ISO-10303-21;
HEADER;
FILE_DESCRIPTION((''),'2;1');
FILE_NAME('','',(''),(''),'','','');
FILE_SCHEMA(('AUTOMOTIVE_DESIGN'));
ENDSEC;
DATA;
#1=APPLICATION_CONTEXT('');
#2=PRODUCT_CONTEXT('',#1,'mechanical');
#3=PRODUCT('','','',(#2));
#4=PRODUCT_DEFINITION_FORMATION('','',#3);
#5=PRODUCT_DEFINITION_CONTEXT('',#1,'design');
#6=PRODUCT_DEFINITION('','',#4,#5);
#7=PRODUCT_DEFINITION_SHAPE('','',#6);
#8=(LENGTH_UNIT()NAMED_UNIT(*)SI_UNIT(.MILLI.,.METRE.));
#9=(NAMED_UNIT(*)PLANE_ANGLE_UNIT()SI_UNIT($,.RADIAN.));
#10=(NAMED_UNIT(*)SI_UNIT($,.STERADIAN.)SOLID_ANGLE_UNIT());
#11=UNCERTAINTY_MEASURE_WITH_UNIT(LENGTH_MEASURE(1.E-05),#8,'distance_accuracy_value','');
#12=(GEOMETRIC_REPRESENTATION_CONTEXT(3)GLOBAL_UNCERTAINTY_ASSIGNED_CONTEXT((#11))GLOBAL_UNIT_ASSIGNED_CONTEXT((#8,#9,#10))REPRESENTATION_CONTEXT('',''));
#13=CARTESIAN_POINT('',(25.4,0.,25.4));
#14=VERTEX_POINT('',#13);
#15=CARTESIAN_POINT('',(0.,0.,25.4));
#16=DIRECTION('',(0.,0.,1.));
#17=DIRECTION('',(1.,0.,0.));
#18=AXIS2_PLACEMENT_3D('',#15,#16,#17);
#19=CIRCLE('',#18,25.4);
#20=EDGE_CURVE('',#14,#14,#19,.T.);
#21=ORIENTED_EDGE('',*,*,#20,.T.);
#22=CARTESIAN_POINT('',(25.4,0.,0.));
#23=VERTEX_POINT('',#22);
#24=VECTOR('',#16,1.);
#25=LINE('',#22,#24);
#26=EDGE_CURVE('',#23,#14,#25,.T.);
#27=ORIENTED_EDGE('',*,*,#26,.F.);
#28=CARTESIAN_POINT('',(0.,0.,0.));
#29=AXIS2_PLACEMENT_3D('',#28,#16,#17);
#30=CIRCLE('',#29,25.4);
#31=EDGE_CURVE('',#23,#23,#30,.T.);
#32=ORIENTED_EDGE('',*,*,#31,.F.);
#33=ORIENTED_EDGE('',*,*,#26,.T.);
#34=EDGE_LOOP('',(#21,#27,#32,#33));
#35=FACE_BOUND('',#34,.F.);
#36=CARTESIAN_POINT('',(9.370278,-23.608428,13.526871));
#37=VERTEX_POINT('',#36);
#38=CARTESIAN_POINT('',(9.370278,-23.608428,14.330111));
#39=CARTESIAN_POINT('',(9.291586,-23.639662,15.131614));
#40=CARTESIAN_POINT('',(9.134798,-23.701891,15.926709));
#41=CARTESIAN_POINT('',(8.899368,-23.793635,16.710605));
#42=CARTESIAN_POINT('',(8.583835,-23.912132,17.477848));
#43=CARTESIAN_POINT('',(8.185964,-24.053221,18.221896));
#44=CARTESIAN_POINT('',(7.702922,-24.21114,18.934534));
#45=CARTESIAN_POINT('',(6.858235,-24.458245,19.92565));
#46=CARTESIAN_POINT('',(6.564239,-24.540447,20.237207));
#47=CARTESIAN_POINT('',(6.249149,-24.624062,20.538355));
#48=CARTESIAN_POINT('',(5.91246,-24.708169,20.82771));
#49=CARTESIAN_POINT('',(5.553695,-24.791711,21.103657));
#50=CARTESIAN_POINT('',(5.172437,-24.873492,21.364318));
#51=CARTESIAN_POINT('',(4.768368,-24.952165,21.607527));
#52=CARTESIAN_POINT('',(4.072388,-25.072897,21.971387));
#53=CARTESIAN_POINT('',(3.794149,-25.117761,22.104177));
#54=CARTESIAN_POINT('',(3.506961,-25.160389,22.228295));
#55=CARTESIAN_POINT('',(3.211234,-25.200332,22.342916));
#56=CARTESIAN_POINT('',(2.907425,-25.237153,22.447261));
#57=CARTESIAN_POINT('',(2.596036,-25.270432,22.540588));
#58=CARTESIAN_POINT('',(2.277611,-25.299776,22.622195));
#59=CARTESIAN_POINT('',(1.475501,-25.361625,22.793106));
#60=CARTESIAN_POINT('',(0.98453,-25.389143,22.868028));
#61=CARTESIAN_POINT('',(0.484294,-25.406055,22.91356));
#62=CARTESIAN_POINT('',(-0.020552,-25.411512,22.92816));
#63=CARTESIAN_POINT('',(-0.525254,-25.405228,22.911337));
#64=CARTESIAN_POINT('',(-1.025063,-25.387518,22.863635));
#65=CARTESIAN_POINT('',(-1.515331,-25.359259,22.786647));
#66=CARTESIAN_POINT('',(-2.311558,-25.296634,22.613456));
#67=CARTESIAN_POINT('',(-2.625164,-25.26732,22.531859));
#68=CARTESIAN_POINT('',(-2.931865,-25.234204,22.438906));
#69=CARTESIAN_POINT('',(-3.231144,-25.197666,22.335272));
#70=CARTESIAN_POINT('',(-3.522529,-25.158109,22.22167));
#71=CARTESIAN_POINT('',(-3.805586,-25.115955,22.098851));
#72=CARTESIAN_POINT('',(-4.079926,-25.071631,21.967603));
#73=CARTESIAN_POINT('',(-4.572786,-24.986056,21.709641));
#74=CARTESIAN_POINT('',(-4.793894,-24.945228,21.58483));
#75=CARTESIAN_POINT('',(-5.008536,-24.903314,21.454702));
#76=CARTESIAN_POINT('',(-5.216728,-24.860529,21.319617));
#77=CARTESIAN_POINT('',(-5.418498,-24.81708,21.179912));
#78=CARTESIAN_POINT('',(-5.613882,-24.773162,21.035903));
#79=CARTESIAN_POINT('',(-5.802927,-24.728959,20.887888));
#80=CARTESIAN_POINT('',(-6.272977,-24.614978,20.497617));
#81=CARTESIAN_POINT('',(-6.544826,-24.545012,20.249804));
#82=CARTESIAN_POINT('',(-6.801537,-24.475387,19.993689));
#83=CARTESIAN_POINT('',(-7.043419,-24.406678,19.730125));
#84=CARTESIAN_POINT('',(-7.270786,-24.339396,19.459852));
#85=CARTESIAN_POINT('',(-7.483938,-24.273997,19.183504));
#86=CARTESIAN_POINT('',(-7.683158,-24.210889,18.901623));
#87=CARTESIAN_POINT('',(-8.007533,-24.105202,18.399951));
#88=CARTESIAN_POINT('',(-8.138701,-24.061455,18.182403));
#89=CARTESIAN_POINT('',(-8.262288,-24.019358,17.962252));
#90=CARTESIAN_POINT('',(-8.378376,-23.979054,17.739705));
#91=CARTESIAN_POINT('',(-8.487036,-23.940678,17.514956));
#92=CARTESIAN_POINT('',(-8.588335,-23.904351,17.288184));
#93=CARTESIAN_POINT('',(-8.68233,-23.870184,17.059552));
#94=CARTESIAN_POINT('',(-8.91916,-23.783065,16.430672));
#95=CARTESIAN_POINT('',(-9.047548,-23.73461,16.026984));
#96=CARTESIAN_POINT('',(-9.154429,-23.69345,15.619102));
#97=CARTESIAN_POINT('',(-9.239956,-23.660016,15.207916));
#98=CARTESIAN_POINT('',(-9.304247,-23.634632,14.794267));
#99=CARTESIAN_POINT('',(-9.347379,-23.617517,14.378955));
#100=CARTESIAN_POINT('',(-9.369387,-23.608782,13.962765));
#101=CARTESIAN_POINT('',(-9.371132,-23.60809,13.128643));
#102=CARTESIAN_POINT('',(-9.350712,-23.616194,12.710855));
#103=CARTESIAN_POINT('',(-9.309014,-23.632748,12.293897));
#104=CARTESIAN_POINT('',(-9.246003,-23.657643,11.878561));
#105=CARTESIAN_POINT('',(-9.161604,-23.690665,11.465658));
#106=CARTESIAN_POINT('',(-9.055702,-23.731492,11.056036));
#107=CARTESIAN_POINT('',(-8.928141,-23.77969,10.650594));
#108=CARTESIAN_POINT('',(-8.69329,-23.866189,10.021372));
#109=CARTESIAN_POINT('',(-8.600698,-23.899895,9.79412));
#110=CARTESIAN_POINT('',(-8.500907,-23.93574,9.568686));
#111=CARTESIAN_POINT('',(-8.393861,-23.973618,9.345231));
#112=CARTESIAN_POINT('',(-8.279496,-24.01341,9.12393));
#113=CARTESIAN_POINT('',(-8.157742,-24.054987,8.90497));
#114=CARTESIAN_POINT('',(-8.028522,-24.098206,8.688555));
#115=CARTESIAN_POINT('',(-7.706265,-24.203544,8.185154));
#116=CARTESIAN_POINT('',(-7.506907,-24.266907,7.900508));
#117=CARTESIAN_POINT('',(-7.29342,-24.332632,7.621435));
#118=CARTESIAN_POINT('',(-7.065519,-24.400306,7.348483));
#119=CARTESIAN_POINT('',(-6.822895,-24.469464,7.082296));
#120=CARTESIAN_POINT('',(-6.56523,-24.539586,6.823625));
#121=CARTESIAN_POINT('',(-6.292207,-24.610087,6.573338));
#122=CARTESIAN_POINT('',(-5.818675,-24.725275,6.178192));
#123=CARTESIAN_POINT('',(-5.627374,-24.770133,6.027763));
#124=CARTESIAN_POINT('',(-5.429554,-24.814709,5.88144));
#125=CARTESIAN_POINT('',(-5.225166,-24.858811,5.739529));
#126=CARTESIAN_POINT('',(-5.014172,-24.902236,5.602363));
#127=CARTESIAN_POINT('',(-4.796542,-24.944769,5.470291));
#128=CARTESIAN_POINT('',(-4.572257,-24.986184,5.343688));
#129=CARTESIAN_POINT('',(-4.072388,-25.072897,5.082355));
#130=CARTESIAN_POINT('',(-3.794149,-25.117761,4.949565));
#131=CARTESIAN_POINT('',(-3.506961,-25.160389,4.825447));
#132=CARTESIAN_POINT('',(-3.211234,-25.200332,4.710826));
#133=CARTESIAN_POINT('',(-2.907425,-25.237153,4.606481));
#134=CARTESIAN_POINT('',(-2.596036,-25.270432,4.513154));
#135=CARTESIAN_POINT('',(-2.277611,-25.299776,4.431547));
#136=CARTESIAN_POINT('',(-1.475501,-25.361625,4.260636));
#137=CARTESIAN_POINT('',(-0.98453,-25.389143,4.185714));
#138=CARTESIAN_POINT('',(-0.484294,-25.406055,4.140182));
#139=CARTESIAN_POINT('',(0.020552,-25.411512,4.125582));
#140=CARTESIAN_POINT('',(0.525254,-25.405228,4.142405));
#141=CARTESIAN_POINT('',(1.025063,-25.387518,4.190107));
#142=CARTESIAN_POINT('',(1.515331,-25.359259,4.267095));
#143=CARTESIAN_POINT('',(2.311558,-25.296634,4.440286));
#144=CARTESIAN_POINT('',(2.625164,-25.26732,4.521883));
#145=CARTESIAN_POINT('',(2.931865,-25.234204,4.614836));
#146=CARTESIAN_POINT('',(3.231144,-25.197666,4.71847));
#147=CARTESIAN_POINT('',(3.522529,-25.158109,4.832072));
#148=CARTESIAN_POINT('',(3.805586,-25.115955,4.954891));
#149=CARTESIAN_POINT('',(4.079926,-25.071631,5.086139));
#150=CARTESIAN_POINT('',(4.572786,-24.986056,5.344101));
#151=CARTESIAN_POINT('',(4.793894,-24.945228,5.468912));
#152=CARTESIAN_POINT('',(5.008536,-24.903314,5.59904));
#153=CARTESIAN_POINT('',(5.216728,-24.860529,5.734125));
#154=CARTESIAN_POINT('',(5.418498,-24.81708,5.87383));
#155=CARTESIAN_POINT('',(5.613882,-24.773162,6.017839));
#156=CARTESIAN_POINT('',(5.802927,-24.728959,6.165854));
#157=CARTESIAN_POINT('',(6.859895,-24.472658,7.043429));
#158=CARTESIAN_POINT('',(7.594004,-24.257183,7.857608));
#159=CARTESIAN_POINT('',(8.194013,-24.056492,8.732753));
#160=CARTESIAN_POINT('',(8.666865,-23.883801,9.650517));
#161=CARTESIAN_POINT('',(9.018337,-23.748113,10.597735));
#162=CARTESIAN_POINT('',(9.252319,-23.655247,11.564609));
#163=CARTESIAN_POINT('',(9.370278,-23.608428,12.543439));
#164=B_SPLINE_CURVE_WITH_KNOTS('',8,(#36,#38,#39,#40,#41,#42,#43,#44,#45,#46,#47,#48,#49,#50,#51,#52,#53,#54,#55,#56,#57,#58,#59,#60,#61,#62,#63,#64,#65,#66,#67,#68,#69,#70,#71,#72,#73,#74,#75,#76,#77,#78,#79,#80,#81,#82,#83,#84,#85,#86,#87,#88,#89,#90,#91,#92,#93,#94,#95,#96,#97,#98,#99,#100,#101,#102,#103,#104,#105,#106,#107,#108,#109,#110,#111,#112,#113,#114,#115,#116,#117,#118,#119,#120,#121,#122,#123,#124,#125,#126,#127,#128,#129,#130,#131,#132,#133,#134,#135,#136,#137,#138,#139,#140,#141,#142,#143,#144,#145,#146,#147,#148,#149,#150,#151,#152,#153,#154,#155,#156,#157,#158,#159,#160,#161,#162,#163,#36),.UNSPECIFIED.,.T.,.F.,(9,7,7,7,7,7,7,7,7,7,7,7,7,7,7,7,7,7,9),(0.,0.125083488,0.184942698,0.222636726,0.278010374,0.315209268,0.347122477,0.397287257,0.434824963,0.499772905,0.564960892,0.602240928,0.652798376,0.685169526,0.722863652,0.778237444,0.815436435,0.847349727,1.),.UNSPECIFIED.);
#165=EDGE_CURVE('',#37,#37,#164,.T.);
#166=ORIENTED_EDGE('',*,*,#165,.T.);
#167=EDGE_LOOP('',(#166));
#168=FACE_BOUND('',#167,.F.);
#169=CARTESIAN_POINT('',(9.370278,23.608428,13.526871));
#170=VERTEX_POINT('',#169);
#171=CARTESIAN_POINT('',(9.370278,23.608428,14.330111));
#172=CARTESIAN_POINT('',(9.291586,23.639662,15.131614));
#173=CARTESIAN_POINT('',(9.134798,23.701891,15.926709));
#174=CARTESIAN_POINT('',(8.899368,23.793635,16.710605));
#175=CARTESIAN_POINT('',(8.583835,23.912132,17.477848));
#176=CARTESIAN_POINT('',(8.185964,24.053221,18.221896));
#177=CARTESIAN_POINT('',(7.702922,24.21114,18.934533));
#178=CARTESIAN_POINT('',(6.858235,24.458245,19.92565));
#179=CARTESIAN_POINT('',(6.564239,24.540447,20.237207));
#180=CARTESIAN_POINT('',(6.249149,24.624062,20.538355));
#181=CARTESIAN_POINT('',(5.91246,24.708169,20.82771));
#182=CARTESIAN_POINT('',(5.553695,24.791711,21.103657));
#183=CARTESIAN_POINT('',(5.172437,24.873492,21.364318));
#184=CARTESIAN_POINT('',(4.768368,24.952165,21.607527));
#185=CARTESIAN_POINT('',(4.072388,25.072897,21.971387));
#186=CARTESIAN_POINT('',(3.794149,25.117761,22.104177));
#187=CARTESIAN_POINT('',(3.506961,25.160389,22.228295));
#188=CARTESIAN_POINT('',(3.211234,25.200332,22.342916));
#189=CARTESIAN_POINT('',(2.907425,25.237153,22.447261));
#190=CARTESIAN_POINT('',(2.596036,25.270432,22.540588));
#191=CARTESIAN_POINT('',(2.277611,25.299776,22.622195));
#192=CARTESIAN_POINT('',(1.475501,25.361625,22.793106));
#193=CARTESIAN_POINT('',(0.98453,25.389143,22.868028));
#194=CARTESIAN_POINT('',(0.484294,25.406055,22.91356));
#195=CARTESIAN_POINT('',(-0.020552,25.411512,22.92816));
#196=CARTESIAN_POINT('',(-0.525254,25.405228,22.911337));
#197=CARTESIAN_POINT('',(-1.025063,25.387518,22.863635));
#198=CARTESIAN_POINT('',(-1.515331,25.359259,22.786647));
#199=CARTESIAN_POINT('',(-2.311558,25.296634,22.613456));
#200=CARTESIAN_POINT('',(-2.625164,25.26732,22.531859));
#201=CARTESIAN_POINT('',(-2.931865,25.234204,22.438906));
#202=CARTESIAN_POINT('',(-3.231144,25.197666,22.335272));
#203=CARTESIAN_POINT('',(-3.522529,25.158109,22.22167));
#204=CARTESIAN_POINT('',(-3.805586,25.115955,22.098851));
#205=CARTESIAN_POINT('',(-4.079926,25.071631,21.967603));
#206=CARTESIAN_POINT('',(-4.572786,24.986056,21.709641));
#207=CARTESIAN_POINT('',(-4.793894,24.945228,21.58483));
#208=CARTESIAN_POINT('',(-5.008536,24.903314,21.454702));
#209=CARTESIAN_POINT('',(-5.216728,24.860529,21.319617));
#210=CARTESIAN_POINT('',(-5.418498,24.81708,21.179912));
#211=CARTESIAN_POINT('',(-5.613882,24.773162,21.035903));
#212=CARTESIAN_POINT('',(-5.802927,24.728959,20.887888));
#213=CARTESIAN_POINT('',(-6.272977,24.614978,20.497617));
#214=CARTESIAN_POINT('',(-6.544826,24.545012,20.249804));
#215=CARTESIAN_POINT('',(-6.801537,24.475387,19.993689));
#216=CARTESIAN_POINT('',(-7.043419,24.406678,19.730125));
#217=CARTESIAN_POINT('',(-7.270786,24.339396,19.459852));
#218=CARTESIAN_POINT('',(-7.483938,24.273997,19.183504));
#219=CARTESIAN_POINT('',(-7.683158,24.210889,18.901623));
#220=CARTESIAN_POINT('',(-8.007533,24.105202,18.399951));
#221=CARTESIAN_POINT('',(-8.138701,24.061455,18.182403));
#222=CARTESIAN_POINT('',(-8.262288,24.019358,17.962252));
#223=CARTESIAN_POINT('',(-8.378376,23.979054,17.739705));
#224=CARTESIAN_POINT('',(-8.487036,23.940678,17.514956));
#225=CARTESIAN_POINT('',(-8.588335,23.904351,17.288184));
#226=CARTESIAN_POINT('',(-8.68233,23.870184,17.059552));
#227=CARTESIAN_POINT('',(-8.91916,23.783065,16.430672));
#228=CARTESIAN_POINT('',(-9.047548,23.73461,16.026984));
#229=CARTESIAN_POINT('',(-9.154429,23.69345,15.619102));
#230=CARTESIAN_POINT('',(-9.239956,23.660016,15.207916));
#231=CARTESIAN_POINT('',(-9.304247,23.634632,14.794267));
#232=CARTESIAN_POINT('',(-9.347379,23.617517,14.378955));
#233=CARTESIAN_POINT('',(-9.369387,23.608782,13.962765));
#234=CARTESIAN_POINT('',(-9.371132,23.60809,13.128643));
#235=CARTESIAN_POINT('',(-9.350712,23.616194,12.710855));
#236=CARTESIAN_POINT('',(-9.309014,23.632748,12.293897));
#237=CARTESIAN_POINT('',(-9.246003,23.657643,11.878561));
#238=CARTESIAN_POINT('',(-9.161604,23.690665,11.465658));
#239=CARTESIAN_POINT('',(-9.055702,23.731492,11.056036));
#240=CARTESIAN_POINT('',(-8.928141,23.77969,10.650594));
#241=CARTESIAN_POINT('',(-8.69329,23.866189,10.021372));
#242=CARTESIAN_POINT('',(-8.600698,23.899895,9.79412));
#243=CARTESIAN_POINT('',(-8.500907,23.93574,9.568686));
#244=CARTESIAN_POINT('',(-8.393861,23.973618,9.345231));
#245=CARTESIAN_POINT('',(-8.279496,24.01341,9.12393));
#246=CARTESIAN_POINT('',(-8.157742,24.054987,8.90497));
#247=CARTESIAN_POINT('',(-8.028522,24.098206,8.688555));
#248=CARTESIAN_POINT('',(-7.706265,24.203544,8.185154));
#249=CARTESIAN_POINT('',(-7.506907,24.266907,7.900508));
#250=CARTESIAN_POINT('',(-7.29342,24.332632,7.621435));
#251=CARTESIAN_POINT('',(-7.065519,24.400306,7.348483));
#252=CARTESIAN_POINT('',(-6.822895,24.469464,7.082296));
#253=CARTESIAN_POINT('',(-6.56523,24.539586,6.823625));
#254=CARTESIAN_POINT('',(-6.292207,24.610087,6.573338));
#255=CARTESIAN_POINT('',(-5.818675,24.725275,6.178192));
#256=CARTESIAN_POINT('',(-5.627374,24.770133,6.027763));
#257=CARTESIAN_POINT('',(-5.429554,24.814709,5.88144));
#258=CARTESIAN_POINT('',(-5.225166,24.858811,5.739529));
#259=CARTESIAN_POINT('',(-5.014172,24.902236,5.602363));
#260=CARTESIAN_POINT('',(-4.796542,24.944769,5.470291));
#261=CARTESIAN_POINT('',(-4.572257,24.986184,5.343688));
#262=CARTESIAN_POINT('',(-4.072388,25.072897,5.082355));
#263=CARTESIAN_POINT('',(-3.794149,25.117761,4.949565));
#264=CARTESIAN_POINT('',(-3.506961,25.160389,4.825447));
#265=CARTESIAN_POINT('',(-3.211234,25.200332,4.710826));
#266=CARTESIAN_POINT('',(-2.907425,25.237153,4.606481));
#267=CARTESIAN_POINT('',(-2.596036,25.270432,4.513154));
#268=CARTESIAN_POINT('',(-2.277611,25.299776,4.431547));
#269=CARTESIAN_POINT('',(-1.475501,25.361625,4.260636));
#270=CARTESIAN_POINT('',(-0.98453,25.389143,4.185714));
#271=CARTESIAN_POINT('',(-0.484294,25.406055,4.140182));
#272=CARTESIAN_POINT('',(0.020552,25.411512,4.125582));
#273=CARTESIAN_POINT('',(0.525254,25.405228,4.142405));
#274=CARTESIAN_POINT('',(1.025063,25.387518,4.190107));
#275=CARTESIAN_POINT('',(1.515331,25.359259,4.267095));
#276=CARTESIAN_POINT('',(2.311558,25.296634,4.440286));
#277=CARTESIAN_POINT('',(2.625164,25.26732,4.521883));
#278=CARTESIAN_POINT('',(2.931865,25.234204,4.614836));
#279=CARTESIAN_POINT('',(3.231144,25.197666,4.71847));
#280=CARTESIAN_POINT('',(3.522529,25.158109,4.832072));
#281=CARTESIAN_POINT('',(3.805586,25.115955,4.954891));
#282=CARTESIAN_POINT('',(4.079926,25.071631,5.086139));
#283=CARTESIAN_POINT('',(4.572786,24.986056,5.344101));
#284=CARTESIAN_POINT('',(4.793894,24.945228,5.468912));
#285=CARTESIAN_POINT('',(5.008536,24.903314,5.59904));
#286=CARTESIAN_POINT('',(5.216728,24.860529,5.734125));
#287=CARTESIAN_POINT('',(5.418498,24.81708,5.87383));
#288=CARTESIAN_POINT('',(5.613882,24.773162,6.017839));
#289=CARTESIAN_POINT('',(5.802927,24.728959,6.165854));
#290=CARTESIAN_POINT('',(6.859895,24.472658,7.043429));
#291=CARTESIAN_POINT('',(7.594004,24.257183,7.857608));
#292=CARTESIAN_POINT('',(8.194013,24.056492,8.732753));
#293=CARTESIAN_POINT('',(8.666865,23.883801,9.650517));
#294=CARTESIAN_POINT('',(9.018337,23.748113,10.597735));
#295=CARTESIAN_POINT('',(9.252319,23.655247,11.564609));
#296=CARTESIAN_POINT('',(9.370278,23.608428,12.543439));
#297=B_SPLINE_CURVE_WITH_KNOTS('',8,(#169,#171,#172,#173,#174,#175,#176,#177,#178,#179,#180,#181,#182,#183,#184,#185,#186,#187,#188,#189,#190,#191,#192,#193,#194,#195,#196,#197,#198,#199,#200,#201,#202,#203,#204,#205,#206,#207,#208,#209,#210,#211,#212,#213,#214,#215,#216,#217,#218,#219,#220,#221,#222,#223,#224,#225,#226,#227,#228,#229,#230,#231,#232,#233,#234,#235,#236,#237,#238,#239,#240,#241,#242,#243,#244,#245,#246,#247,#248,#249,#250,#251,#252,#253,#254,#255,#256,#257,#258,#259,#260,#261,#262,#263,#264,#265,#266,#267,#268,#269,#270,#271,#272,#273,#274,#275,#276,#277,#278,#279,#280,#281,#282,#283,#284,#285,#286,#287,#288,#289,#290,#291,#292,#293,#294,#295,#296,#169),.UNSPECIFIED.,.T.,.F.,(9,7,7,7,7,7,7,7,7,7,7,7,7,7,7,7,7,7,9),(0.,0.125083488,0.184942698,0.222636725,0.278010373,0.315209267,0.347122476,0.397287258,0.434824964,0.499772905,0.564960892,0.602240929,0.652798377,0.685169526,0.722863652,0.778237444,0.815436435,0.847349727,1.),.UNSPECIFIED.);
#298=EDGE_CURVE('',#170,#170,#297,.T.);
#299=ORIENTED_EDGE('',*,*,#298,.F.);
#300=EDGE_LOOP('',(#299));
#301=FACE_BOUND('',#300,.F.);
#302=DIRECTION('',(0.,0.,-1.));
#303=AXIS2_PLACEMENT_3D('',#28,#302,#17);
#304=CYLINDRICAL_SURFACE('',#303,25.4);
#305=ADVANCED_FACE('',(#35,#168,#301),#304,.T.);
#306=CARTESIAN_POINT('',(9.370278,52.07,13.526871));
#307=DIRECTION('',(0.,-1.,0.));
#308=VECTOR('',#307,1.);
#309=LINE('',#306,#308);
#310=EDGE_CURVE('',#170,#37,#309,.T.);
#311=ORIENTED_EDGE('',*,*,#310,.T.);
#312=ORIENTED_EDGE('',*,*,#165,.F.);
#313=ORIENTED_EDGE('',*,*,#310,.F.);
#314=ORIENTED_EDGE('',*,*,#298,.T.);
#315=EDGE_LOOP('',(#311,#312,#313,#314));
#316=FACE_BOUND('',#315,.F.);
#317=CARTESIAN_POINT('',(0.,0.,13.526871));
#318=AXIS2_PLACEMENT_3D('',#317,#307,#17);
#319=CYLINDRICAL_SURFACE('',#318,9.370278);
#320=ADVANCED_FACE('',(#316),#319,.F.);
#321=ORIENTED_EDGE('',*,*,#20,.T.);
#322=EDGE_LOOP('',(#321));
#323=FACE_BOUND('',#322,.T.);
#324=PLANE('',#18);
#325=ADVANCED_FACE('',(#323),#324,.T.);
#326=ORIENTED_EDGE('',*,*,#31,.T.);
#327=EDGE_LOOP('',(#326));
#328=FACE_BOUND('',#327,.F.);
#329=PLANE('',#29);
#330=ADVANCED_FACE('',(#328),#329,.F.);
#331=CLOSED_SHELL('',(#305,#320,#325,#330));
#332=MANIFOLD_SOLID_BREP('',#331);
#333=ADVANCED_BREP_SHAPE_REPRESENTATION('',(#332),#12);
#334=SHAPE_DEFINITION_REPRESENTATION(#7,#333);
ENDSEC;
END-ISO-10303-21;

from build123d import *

# Parameters (mm, degrees)
F0_R     = 25.4
F1_DEPTH = 25.4
F2_R     = 9.370278
F3_DEPTH = 52.07


with BuildPart() as f1:
    # F0 (on Top) → F1 (new body)
    with BuildSketch(Plane.XY):
        Circle(F0_R)
    extrude(amount=F1_DEPTH)

    # F2 (on Front) → F3 (cut, symmetric)
    with BuildSketch(Plane.XZ):
        with Locations((0, 13.526871)):
            Circle(F2_R)
    extrude(amount=F3_DEPTH, both=True, mode=Mode.SUBTRACT)


solid = f1.part
